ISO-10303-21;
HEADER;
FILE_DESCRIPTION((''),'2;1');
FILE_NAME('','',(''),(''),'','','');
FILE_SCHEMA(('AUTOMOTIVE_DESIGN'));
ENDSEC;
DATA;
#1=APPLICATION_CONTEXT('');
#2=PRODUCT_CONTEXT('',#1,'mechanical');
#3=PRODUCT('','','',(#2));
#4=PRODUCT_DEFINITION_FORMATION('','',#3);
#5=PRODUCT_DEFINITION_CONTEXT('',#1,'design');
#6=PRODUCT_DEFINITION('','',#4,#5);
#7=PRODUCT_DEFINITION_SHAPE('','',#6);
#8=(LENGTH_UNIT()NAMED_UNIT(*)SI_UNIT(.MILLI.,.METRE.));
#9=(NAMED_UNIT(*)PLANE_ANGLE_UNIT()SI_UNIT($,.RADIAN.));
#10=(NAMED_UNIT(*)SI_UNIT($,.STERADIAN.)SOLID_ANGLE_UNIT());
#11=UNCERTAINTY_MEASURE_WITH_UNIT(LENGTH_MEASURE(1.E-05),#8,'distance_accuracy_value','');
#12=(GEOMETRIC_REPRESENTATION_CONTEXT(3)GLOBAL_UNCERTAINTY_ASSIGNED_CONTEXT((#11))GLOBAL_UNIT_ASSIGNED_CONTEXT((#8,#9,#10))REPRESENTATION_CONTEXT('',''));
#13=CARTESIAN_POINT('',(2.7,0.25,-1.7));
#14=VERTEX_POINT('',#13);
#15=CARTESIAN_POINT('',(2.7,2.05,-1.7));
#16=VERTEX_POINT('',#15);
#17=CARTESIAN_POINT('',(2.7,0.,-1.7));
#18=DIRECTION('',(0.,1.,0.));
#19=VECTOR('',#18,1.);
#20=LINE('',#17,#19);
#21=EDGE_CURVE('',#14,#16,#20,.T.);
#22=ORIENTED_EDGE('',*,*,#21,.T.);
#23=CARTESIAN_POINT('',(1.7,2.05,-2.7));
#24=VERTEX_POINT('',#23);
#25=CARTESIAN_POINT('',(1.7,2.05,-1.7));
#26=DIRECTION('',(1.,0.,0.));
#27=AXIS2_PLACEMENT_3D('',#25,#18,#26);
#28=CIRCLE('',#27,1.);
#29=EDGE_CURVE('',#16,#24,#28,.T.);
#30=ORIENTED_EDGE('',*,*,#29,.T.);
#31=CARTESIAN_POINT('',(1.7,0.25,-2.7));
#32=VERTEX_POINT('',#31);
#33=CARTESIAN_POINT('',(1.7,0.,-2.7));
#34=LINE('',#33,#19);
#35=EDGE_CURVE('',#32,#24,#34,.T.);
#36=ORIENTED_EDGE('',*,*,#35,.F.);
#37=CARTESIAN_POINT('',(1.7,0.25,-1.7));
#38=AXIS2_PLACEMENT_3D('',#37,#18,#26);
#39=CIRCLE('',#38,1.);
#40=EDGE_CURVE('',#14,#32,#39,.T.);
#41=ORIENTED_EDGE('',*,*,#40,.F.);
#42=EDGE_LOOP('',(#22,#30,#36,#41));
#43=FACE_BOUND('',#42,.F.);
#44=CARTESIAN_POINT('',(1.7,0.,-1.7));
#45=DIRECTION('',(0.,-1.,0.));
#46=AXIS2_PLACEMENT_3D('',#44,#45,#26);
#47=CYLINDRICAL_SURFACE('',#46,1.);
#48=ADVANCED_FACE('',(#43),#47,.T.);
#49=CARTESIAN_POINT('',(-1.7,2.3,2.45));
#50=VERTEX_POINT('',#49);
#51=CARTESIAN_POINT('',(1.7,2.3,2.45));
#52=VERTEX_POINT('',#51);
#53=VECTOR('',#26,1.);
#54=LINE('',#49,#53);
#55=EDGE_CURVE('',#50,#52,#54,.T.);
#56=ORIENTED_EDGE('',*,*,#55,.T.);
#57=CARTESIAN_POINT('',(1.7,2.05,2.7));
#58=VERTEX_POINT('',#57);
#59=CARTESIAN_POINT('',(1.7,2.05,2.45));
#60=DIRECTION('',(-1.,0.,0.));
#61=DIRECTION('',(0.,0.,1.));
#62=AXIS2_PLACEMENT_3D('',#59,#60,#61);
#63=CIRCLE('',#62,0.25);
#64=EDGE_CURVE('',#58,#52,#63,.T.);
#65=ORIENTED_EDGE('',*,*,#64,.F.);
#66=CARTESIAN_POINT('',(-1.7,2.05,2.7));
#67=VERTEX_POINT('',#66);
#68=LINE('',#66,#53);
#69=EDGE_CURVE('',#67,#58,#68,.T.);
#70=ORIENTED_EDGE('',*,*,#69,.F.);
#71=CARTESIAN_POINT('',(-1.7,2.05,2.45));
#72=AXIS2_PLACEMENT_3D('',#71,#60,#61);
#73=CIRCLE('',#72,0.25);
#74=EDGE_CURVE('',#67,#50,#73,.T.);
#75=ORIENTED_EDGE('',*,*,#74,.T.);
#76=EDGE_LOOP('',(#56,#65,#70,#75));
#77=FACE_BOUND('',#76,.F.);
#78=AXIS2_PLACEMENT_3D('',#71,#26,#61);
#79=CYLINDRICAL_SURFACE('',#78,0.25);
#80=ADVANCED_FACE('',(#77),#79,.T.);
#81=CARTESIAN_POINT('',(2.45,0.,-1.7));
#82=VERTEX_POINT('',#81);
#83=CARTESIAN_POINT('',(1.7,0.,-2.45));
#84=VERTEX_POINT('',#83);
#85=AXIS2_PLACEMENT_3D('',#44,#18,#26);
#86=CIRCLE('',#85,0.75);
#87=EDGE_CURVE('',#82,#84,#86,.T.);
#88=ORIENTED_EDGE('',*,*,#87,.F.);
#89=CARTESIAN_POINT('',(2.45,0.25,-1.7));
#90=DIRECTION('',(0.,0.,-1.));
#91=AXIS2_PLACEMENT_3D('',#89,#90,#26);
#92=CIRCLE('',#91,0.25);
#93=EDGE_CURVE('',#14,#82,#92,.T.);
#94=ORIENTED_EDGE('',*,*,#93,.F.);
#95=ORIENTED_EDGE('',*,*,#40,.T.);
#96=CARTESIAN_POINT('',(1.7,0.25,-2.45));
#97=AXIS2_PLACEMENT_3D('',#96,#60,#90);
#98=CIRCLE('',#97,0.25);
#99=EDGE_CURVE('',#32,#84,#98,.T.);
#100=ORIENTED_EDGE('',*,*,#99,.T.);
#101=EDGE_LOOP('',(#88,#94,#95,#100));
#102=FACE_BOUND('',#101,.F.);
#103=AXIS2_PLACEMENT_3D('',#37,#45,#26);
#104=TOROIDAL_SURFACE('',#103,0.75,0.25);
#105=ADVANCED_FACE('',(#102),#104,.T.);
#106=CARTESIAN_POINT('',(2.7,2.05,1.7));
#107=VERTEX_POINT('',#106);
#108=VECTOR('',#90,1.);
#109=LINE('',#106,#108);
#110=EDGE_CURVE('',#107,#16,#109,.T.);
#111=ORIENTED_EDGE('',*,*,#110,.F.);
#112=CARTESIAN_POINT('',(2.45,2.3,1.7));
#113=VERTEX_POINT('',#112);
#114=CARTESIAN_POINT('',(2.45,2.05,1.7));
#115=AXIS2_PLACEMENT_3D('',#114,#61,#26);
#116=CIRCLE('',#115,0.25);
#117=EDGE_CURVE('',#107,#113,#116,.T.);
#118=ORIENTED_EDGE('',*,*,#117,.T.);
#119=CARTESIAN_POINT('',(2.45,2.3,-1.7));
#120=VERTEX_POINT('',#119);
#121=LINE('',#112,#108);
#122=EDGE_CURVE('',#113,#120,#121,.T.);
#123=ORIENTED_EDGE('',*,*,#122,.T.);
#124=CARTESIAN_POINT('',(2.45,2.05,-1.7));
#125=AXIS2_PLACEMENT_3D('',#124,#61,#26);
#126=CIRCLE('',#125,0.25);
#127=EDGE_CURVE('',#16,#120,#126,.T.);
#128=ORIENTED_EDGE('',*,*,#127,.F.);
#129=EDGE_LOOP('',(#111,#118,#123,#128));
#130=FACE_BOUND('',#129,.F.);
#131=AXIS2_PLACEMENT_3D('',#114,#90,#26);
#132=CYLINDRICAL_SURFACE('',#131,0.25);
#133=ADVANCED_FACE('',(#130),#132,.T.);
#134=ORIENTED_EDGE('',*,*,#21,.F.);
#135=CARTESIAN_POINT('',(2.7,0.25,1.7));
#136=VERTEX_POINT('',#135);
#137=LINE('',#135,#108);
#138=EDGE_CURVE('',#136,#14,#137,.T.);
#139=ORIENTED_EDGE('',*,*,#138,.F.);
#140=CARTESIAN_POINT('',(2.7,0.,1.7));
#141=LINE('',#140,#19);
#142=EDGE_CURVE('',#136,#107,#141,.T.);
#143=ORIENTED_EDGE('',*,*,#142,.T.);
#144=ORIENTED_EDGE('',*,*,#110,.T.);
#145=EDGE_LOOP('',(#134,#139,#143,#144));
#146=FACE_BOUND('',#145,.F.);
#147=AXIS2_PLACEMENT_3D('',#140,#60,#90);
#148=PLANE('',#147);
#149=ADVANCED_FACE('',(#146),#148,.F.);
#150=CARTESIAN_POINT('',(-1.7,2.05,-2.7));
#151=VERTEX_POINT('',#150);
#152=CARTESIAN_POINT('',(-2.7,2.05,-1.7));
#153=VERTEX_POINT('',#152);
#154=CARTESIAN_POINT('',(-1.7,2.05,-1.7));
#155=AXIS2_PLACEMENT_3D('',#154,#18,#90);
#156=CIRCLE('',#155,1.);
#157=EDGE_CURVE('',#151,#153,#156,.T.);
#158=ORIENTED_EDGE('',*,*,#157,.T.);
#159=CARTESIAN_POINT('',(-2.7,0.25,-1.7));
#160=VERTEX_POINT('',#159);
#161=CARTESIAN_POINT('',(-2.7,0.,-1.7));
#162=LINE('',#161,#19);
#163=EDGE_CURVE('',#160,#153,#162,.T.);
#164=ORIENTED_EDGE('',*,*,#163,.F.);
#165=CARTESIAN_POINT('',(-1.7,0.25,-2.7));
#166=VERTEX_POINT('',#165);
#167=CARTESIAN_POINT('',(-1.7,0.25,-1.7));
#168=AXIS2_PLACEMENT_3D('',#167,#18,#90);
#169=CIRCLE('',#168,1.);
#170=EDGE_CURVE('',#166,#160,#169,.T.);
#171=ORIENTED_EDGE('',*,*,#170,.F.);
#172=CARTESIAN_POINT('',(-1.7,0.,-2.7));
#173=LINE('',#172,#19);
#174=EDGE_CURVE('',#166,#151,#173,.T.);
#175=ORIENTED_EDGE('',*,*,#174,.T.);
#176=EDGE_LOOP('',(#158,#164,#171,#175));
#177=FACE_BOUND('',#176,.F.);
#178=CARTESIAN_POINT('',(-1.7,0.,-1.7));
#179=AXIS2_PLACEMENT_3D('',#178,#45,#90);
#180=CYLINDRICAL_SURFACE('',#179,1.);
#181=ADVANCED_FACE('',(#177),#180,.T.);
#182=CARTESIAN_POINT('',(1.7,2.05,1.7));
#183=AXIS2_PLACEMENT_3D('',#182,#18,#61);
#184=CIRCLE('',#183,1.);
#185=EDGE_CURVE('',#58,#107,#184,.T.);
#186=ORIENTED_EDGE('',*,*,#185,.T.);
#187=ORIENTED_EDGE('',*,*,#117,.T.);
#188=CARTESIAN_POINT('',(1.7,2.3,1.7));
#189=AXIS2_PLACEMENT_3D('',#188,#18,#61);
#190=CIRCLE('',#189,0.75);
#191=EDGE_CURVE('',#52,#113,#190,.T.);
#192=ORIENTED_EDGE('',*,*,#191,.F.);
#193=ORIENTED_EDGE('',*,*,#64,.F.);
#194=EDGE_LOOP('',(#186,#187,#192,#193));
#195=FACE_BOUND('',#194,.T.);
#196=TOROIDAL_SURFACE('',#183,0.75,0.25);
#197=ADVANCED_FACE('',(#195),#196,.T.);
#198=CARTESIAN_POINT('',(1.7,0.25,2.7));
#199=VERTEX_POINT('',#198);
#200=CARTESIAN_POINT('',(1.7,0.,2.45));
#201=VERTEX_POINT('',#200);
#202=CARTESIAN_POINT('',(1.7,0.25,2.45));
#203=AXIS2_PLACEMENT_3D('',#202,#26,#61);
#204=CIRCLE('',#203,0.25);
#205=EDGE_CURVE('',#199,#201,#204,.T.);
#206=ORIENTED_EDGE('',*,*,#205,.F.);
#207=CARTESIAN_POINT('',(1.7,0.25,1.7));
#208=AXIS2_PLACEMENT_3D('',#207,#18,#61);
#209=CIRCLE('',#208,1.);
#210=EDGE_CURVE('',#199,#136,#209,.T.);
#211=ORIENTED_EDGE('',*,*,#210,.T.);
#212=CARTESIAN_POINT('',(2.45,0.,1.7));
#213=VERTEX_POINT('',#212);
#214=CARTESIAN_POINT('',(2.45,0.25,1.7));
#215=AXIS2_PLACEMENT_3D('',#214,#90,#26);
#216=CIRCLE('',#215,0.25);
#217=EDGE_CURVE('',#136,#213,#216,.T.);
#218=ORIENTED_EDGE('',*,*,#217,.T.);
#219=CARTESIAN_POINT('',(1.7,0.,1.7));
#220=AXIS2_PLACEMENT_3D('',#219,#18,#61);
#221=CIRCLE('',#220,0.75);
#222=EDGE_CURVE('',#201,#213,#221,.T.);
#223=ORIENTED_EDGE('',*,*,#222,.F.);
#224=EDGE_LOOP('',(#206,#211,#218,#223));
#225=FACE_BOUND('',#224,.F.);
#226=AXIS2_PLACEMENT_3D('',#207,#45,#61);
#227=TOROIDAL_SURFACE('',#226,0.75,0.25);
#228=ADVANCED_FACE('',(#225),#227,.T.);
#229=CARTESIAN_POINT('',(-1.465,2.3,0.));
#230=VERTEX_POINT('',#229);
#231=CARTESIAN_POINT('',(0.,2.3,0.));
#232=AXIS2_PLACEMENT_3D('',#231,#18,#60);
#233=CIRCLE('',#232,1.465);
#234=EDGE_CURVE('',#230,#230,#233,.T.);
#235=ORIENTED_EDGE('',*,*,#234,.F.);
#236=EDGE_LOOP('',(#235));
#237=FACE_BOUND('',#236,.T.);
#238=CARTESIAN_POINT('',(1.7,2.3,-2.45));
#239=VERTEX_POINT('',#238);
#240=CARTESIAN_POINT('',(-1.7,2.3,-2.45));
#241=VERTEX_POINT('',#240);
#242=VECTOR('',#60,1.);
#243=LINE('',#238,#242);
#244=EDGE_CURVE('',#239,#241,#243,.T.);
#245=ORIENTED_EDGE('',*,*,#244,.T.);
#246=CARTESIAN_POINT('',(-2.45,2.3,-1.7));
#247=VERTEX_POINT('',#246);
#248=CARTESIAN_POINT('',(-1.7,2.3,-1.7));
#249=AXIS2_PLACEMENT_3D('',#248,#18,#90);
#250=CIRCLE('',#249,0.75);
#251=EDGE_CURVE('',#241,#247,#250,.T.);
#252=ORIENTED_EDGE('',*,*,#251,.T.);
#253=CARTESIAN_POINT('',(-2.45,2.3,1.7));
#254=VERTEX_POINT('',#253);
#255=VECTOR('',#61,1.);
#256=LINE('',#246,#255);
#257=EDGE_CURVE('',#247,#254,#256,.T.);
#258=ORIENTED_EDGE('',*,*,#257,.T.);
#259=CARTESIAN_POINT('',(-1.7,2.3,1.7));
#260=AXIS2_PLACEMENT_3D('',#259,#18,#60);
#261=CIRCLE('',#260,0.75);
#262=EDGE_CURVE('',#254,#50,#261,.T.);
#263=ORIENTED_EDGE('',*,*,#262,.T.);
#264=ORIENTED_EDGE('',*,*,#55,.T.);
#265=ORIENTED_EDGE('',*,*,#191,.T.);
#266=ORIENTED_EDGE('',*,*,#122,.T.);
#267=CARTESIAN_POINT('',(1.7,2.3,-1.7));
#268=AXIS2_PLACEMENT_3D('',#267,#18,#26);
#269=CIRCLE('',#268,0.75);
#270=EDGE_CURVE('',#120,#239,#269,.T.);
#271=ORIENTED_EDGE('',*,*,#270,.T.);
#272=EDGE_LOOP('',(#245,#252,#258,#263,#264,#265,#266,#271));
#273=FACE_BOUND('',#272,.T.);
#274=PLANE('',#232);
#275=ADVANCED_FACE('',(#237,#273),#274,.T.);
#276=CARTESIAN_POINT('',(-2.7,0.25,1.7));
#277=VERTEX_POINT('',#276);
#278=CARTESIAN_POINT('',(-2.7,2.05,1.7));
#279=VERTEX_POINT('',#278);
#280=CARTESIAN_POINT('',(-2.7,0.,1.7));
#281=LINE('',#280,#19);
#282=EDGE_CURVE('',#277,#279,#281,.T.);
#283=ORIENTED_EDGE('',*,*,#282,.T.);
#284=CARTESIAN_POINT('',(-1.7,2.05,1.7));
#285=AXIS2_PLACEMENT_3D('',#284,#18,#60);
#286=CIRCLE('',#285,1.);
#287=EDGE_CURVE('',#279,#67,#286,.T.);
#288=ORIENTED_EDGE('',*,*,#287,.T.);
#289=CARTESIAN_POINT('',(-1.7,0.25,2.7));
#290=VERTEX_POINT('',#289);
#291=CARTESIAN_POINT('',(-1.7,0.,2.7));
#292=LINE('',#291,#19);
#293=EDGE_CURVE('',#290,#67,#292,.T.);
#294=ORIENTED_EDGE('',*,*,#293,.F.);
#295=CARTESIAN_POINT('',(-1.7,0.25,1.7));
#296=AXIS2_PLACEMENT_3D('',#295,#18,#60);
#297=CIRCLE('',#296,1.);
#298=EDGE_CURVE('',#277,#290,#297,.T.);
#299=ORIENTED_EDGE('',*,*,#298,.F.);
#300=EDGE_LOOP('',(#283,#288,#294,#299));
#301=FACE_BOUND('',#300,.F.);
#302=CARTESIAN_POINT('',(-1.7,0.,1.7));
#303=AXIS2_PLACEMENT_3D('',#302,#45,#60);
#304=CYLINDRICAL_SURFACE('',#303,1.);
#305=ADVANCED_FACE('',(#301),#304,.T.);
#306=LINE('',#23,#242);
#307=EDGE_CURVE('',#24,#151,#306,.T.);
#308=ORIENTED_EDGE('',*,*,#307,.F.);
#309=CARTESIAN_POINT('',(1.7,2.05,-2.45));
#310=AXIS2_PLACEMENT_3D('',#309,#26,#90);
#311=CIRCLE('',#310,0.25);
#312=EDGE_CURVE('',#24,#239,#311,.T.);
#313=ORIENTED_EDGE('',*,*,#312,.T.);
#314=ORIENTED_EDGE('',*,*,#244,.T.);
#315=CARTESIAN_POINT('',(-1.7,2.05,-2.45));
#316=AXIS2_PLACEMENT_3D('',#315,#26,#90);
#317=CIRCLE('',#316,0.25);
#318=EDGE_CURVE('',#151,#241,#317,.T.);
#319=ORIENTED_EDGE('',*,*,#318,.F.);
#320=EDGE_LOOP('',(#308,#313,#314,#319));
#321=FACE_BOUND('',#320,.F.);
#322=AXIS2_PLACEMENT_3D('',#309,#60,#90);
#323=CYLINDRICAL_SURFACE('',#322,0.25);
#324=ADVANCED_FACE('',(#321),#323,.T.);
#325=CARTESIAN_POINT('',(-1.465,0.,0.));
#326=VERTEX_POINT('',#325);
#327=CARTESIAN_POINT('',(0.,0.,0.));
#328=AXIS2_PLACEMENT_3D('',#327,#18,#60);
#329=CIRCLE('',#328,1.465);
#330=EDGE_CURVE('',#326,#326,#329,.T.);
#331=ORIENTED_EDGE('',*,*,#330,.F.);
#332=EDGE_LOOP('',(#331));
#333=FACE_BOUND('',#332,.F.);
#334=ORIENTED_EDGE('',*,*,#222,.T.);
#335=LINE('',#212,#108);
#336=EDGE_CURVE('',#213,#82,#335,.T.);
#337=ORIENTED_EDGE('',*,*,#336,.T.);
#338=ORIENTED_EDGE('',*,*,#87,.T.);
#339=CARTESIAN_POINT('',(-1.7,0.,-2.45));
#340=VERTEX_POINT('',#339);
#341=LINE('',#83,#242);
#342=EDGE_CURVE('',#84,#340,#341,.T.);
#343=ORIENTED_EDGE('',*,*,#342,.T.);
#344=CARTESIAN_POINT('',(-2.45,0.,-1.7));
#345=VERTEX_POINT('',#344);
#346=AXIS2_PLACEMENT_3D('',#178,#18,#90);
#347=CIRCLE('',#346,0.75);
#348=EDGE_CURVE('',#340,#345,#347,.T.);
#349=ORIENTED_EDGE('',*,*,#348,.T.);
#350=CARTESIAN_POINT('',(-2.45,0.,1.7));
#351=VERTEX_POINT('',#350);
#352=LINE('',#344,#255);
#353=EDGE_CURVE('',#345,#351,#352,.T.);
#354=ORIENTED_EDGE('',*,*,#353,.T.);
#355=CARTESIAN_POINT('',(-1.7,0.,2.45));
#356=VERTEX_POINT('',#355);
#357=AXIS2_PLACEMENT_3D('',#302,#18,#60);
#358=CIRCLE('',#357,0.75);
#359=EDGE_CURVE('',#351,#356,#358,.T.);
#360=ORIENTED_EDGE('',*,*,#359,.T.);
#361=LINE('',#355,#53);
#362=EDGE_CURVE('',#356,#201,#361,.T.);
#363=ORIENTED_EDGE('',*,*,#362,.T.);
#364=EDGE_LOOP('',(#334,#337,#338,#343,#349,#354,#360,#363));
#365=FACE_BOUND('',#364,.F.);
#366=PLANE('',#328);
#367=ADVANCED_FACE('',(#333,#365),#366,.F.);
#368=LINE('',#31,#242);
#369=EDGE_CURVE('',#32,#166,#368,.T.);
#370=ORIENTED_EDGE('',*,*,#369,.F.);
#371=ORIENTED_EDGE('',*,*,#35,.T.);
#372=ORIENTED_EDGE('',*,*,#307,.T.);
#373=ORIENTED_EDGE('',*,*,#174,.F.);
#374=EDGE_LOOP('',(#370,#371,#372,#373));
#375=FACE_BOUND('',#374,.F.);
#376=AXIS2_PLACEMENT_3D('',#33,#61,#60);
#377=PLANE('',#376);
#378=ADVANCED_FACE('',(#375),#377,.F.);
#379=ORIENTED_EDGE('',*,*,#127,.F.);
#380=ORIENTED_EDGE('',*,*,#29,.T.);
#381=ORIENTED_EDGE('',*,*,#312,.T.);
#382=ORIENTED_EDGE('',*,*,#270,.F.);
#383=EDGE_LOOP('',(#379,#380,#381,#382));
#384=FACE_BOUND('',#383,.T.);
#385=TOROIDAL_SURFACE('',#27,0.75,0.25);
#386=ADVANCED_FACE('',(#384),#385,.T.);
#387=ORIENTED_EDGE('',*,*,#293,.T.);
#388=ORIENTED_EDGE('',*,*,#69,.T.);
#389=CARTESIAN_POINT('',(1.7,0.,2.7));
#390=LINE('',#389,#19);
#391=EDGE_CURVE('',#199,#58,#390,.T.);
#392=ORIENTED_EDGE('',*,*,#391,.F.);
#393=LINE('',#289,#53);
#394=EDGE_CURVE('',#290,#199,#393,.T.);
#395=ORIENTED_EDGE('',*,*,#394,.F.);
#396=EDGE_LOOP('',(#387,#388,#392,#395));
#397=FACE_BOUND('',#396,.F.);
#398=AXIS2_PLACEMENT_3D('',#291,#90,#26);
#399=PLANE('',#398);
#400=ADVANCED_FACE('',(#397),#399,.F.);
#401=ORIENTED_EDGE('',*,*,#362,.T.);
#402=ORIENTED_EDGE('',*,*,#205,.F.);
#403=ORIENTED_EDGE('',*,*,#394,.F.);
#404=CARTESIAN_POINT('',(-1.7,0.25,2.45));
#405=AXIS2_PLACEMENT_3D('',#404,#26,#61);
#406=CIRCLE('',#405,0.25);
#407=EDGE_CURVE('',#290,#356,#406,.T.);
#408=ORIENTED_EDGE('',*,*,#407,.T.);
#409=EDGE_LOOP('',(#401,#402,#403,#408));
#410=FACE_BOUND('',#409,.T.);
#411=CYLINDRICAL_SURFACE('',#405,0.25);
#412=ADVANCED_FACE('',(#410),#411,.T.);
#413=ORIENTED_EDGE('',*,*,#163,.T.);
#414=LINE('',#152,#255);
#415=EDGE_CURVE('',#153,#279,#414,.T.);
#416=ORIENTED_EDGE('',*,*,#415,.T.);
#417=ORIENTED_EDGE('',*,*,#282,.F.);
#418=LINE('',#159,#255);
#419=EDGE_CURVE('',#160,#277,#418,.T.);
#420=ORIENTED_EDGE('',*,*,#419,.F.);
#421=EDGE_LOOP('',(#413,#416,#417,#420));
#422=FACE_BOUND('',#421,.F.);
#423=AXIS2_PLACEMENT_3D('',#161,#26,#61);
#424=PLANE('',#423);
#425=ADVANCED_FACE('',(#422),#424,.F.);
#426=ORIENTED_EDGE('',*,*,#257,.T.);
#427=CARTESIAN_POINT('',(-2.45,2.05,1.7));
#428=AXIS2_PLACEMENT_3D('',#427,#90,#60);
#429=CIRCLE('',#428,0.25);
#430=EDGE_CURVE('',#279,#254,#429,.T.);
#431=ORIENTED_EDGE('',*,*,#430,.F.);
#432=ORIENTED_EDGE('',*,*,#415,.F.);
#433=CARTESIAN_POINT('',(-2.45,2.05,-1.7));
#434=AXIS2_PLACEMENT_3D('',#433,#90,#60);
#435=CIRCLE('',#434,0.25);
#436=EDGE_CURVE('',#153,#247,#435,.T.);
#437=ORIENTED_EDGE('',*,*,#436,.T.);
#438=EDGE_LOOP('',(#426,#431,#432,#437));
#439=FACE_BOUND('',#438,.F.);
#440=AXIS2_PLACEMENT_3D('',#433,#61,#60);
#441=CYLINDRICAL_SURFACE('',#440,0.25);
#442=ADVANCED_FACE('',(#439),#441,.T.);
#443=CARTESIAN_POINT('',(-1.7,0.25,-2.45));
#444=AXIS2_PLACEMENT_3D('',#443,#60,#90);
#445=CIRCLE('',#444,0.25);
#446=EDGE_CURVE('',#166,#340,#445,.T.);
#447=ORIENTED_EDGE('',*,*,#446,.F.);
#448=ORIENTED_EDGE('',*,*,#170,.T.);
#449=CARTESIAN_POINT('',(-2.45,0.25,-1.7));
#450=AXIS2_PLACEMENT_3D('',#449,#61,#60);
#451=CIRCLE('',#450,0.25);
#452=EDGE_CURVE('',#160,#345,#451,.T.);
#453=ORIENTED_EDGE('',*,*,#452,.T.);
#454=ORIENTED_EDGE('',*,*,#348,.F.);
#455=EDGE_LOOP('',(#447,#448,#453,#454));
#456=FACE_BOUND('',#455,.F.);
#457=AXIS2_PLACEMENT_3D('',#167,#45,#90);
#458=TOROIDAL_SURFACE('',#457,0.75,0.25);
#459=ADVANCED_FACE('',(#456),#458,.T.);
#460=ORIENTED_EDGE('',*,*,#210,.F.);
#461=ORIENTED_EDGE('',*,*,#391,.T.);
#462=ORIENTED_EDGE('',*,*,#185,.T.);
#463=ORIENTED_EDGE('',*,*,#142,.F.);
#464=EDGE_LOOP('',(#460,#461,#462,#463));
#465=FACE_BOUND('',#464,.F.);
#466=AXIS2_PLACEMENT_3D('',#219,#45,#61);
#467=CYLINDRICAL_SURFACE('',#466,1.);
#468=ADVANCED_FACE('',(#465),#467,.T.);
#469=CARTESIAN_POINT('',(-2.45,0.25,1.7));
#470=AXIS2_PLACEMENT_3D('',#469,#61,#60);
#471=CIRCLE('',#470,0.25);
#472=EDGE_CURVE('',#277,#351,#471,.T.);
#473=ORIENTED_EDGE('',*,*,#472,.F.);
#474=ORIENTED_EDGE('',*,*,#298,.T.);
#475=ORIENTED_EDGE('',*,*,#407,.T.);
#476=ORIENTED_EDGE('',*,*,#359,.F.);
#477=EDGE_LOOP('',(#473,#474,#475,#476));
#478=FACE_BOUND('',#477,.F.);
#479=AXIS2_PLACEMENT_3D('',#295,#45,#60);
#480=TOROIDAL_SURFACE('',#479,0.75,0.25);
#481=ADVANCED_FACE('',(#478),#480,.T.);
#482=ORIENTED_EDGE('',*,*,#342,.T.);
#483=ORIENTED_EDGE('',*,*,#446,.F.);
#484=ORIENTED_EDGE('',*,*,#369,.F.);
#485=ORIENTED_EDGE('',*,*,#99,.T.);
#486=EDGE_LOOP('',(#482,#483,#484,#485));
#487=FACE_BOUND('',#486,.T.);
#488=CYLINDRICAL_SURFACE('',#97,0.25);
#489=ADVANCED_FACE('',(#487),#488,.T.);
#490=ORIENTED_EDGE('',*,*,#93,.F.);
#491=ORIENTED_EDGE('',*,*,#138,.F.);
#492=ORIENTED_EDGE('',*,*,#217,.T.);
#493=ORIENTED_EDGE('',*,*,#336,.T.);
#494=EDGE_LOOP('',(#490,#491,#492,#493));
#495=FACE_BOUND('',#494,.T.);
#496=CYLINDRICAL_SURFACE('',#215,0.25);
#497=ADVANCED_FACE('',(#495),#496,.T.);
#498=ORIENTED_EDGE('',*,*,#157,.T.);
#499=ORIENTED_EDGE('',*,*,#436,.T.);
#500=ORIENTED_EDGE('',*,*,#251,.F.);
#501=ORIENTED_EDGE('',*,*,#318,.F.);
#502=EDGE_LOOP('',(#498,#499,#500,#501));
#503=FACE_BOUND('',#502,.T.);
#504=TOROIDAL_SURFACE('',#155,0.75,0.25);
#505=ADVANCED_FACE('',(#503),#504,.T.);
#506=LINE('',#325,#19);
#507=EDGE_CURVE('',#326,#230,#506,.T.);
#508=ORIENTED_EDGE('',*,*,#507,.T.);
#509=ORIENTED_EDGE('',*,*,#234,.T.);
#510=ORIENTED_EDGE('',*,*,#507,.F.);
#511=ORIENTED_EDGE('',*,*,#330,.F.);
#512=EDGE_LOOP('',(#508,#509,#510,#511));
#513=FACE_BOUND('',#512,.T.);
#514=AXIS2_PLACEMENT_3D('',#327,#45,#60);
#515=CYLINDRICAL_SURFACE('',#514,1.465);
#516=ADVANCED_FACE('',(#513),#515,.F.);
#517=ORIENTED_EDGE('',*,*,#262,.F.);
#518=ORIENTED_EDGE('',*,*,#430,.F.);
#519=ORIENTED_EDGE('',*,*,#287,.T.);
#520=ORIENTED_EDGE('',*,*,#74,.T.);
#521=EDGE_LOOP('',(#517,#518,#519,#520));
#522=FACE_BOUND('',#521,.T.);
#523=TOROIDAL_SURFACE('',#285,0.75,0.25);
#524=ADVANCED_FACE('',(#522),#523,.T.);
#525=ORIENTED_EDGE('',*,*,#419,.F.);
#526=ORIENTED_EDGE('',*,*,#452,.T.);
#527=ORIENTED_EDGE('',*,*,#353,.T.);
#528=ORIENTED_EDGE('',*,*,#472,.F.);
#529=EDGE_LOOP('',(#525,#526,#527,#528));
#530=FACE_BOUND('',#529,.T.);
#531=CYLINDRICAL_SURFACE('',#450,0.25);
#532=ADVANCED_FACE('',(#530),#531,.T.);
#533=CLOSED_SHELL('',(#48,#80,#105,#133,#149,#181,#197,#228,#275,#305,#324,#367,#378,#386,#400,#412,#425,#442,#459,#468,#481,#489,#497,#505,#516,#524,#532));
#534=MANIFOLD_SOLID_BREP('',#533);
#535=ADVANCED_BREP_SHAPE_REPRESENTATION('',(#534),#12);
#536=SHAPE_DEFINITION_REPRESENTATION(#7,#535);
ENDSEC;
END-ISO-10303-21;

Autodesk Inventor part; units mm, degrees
ref_plane "YZ Plane" through (0, 0, 0) normal (1, 0, 0) x (0, 1, 0)
ref_plane "XZ Plane" through (0, 0, 0) normal (0, 1, 0) x (-1, 0, 0)
ref_plane "XY Plane" through (0, 0, 0) normal (0, 0, 1) x (1, 0, 0)
sketch "Sketch1" plane through (0, 0, 0) normal (0, 1, 0) x (-1, 0, 0)
  circle A0 centre (0, 0) radius 1.465
  line L0 (-1.7, -2.7) -> (1.7, -2.7)
  line L1 (2.7, -1.7) -> (2.7, 1.7)
  line L2 (1.7, 2.7) -> (-1.7, 2.7)
  line L3 (-2.7, 1.7) -> (-2.7, -1.7)
  line L4 (-2.7, -2.7) -> (2.7, 2.7) construction
  line L5 (2.7, -2.7) -> (-2.7, 2.7) construction
  arc A1 (2.7, 1.7) -> (1.7, 2.7) centre (1.7, 1.7) ccw
  arc A2 (-1.7, 2.7) -> (-2.7, 1.7) centre (-1.7, 1.7) ccw
  arc A3 (-2.7, -1.7) -> (-1.7, -2.7) centre (-1.7, -1.7) ccw
  arc A4 (1.7, -2.7) -> (2.7, -1.7) centre (1.7, -1.7) ccw
  dimension "d0" = 2.93
  dimension "d1" = 5.4
  dimension "d2" = 5.4
  dimension "d3" = 1
extrude "Extrusion1" add sketch "Sketch1" along normal blind 2.3
fillet "Fillet1" radius 0.25 16 edges at (2.7, 2.3, 0) (2.4071, 2.3, -2.4071) (0, 2.3, -2.7) (-2.4071, 2.3, -2.4071) (-2.7, 2.3, 0) (-2.4071, 2.3, 2.4071) (0, 2.3, 2.7) (2.4071, 2.3, 2.4071) (2.7, 0, 0) (2.4071, 0, -2.4071) (0, 0, -2.7) (-2.4071, 0, -2.4071) (-2.7, 0, 0) (-2.4071, 0, 2.4071) (0, 0, 2.7) (2.4071, 0, 2.4071)
thread "Thread1"
properties part number "M3 Square Nut"
